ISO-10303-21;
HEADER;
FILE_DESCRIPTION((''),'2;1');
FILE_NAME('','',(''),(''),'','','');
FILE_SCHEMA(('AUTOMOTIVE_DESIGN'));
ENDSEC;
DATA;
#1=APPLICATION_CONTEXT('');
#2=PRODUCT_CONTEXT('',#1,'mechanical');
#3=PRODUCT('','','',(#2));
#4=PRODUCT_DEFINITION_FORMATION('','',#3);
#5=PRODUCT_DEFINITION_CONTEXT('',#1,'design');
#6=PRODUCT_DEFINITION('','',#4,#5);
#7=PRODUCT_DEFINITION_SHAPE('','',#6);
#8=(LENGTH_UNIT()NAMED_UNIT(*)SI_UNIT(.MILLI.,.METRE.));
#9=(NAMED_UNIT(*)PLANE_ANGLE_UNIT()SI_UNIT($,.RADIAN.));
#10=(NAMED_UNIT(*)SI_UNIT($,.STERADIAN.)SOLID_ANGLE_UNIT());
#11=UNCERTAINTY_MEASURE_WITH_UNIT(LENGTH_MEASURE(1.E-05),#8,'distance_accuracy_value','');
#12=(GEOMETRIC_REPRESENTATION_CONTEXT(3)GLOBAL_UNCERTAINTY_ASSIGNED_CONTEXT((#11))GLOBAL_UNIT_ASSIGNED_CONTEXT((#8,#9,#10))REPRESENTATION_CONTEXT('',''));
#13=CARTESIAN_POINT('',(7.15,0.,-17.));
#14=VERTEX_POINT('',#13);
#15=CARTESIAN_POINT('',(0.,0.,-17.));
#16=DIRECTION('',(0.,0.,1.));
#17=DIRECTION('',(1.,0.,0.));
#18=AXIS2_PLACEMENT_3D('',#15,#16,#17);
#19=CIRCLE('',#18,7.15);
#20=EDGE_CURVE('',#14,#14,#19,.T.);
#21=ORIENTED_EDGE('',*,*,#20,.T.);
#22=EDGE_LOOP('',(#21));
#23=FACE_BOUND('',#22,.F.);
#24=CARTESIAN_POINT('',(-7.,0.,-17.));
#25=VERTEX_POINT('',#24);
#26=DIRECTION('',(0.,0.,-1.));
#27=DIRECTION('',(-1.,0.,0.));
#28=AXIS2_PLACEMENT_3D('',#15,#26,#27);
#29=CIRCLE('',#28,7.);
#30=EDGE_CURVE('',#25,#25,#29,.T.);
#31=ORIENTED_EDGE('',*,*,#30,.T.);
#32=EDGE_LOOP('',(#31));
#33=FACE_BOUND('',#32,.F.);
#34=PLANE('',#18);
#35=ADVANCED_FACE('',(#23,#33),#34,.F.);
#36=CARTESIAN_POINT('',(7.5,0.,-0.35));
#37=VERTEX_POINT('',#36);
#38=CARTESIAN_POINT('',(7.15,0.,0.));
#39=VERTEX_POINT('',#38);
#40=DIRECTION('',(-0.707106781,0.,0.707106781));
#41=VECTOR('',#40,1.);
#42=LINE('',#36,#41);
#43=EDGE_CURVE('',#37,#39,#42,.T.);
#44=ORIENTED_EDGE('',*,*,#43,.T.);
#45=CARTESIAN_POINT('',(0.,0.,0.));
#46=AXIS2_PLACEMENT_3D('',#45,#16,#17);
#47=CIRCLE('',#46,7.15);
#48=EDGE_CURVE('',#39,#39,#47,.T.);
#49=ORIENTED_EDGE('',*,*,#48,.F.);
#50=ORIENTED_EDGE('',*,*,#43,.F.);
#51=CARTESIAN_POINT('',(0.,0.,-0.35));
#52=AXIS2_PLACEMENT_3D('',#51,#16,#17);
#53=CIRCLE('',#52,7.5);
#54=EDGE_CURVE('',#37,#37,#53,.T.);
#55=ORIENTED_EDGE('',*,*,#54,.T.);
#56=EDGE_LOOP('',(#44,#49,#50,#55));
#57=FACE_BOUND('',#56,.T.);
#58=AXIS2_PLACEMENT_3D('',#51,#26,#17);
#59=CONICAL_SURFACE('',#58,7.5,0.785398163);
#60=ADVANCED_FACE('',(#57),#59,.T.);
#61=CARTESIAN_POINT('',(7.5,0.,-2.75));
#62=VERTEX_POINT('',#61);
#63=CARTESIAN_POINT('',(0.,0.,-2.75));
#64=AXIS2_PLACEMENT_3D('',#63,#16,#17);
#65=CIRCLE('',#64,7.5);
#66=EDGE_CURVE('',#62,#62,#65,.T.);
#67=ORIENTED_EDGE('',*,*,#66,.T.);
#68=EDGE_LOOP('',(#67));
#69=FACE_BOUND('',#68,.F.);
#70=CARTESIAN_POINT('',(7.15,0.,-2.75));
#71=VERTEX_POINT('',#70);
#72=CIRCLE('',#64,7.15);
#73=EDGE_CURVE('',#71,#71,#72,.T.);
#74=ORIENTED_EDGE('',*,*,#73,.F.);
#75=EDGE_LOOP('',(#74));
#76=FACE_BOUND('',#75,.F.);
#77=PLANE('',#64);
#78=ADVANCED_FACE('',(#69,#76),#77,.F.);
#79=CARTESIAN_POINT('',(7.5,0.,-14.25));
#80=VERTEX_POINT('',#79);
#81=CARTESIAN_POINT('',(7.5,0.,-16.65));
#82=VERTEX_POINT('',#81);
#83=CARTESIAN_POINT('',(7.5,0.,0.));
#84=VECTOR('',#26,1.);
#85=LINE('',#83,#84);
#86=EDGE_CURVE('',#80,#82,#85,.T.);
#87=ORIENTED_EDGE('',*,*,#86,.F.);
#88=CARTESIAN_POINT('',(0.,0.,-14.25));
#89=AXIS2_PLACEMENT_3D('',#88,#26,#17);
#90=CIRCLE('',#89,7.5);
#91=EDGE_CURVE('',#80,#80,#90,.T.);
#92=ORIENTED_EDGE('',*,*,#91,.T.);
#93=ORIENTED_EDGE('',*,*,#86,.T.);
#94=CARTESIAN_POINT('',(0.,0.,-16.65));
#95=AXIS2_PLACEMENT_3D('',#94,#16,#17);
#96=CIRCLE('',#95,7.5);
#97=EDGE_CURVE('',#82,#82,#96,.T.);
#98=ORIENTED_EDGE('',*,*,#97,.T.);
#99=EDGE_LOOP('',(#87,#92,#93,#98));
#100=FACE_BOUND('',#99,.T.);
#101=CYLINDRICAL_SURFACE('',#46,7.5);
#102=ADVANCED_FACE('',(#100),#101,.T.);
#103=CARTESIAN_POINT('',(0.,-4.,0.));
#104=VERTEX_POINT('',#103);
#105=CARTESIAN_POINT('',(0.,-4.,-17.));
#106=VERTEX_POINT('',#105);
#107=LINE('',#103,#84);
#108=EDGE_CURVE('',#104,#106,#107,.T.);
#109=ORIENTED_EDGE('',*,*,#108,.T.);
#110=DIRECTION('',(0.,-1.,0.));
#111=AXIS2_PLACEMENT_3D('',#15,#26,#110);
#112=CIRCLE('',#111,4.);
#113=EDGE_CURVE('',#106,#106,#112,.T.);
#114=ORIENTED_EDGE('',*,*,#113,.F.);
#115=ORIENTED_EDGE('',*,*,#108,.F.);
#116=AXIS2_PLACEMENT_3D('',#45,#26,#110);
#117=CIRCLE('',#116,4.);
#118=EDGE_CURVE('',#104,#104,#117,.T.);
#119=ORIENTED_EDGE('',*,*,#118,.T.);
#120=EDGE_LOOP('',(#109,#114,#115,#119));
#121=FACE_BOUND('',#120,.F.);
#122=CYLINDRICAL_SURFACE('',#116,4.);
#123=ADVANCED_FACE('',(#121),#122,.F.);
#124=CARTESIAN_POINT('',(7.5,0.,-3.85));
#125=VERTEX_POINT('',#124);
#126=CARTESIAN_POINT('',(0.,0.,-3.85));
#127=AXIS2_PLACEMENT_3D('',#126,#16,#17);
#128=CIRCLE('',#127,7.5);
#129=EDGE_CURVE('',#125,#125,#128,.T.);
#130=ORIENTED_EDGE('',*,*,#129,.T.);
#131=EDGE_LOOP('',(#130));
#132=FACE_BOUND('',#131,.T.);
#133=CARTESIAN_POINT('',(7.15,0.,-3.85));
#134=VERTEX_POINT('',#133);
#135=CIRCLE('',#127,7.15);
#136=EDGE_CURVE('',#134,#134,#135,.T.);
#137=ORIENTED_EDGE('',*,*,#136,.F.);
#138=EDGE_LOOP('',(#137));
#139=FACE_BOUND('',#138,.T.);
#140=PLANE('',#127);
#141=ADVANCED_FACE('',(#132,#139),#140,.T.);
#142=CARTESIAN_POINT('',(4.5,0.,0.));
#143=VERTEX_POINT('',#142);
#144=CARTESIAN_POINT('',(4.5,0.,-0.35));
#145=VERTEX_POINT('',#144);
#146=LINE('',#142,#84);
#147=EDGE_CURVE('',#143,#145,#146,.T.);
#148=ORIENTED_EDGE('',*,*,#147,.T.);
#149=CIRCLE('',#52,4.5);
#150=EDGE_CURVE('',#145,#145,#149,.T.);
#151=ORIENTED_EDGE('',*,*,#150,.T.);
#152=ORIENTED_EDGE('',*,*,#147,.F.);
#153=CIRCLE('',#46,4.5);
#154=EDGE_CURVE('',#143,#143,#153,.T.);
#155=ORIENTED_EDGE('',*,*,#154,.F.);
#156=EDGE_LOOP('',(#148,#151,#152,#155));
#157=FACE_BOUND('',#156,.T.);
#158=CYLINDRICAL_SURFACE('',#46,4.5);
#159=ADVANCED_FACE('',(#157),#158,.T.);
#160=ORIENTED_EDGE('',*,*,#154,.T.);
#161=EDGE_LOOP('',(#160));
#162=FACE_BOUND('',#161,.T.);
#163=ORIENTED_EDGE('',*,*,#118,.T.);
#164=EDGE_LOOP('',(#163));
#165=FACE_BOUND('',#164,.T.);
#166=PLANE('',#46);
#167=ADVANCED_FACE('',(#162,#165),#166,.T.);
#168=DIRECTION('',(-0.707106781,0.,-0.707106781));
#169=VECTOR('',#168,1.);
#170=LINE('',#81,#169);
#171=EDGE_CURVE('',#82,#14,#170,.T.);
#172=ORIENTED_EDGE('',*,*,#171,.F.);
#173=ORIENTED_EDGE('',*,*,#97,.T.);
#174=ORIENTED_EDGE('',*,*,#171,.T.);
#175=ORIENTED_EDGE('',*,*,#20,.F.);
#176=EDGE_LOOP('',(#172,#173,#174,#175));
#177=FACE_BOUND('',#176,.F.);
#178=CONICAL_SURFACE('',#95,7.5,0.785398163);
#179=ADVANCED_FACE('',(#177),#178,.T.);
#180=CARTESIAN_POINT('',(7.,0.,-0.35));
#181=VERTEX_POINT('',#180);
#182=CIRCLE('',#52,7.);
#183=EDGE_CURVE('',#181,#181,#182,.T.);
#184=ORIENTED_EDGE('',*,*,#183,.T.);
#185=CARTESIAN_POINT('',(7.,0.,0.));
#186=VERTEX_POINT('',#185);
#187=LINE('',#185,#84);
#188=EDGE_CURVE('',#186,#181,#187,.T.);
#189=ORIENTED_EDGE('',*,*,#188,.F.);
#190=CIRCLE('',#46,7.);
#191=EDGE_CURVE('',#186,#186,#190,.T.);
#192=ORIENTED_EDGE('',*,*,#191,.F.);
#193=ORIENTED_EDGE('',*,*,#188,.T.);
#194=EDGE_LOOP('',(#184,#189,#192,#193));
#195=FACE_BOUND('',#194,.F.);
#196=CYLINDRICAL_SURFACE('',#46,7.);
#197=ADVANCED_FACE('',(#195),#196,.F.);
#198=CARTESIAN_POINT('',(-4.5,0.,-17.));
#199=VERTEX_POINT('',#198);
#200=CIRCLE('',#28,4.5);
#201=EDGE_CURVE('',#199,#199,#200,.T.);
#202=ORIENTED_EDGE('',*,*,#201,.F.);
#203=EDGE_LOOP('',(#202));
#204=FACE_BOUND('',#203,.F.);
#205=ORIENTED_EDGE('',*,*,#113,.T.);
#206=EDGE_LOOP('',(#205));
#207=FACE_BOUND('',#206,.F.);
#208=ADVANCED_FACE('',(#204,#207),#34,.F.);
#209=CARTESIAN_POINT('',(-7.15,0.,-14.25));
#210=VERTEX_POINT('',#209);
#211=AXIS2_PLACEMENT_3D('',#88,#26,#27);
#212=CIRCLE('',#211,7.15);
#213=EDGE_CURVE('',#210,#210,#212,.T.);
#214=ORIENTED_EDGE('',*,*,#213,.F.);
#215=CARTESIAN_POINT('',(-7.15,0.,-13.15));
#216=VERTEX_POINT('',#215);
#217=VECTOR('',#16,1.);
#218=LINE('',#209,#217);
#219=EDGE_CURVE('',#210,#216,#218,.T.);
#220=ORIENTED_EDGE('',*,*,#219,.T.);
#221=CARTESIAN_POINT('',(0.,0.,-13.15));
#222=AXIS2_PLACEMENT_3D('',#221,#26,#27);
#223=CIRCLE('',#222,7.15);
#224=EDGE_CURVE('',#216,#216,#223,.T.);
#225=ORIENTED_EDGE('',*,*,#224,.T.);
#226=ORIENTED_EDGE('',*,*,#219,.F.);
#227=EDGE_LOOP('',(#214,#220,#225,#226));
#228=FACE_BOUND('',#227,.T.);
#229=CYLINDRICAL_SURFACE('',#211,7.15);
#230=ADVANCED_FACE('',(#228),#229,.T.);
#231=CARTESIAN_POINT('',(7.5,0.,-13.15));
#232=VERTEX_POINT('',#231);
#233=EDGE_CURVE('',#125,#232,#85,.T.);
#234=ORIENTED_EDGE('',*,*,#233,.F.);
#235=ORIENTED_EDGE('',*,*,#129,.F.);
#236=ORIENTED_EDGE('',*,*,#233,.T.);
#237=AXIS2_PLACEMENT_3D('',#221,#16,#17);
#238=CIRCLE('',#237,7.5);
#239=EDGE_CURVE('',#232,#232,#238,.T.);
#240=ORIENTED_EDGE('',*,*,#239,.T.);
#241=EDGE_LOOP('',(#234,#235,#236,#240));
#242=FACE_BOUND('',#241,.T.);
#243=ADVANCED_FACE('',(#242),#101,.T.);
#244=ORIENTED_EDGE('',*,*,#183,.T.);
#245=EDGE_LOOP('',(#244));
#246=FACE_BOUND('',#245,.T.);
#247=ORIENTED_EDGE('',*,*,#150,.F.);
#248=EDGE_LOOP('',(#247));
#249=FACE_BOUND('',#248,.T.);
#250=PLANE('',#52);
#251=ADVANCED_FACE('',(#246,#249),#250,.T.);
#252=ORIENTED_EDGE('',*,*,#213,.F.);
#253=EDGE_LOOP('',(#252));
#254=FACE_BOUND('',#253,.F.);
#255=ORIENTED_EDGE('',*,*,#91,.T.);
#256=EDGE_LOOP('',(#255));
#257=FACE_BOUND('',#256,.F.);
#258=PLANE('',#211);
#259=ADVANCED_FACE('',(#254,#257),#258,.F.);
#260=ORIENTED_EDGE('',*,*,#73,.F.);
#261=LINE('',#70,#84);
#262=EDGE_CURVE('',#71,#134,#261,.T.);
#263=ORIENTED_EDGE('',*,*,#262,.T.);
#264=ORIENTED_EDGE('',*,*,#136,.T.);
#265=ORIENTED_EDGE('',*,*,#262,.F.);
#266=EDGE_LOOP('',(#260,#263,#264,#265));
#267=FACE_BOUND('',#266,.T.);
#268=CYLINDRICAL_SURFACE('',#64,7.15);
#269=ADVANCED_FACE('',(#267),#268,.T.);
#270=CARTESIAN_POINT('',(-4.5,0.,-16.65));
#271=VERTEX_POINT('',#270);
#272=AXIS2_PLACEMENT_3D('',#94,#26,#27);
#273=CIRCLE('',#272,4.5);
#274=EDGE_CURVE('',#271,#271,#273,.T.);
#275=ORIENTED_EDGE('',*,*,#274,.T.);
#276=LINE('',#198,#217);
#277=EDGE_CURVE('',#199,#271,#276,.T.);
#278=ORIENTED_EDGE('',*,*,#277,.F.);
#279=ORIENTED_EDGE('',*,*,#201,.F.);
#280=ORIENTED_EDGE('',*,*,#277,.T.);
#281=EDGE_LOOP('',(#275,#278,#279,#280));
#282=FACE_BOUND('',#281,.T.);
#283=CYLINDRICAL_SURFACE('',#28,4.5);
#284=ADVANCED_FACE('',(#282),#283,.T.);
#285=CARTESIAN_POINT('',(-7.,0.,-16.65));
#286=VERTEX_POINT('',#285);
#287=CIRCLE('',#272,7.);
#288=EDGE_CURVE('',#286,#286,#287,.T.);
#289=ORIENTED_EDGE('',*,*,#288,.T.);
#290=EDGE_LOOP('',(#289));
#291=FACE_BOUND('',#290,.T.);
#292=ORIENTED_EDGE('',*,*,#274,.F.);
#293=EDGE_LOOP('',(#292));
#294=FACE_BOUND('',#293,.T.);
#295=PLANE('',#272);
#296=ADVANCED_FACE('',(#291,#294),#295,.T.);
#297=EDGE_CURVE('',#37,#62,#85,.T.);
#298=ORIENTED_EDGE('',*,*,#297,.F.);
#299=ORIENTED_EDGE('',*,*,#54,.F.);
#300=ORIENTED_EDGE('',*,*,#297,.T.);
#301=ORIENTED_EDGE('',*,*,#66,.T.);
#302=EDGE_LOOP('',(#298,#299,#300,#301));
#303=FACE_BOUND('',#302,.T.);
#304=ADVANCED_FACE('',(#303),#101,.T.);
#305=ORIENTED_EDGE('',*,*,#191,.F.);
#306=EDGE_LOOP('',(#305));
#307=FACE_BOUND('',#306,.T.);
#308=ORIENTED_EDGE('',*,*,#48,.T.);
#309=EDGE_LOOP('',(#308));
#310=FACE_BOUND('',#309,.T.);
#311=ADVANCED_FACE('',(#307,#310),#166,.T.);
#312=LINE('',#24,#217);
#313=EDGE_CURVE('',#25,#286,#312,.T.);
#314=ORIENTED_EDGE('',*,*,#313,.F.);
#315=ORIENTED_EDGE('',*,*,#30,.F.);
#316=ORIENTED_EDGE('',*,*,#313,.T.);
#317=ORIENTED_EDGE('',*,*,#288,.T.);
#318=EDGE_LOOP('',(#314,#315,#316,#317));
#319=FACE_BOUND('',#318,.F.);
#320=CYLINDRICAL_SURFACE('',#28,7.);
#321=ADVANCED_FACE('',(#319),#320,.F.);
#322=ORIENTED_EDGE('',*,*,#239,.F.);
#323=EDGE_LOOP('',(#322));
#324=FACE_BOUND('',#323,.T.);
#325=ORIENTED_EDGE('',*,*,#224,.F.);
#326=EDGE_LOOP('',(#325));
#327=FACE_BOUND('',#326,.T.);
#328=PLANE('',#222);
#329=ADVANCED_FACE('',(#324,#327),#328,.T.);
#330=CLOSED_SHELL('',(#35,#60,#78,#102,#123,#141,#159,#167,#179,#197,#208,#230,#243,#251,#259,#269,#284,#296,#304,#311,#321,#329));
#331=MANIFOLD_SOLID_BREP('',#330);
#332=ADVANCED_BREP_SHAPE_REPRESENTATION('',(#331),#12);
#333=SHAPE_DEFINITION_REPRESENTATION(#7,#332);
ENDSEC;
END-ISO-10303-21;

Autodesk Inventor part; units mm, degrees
ref_plane "YZ Plane" through (0, 0, 0) normal (1, 0, 0) x (0, 1, 0)
sketch "Эскиз6" plane through (0, 0, 0) normal (0, 0, 1) x (1, 0, 0)
  circle A0 centre (0, 0) radius 7.5
  dimension "d27" = 15
extrude "Выдавливание2" add sketch "Эскиз6" against normal blind 17
sketch "Эскиз8" plane through (0, 0, 0) normal (0, 0, 1) x (1, 0, 0)
  point P0 (0, 0)
  point P1 (0, 0)
hole "Отверстие1" at (0, 0, 0) direction (0, 0, -1) diameter 8 end through all
ref_plane "РабПлоскость1" through (0, 0, -2.75) normal (0, 0, 1) x (1, 0, 0)
ref_plane "РабПлоскость2" through (0, 0, -14.25) normal (0, 0, -1) x (-1, 0, 0)
sketch "Эскиз10" plane through (0, 0, -14.25) normal (0, 0, -1) x (-1, 0, 0)
  circle A0 centre (0, 0) radius 7.15
  circle A1 centre (0, 0) radius 7.5
  dimension "d40" = 14.3
  dimension "d41" = 15
sketch "Эскиз11" plane through (0, 0, -2.75) normal (0, 0, 1) x (1, 0, 0)
  circle A0 centre (0, 0) radius 7.15
  circle A1 centre (0, 0) radius 7.5
  dimension "d42" = 14.3
  dimension "d43" = 15
extrude "Выдавливание3" cut sketch "Эскиз11" against normal blind 1.1
extrude "Выдавливание4" cut sketch "Эскиз10" against normal blind 1.1
sketch "Эскиз12" plane through (0, 0, -17) normal (0, 0, -1) x (-1, 0, 0)
  circle A0 centre (0, 0) radius 7
  circle A1 centre (0, 0) radius 4.5
  dimension "d48" = 14
  dimension "d49" = 9
extrude "Выдавливание5" cut sketch "Эскиз12" against normal blind 0.35
sketch "Эскиз13" plane through (0, 0, 0) normal (0, 0, 1) x (1, 0, 0)
  circle A0 centre (0, 0) radius 4.5
  circle A1 centre (0, 0) radius 7
  dimension "d52" = 9
  dimension "d53" = 14
extrude "Выдавливание6" cut sketch "Эскиз13" against normal blind 0.35
chamfer "Фаска1" distance 0.35 angle 45 2 edges at (-7.5, 0, 0) (-7.5, 0, -17)
properties part number "LM8"
